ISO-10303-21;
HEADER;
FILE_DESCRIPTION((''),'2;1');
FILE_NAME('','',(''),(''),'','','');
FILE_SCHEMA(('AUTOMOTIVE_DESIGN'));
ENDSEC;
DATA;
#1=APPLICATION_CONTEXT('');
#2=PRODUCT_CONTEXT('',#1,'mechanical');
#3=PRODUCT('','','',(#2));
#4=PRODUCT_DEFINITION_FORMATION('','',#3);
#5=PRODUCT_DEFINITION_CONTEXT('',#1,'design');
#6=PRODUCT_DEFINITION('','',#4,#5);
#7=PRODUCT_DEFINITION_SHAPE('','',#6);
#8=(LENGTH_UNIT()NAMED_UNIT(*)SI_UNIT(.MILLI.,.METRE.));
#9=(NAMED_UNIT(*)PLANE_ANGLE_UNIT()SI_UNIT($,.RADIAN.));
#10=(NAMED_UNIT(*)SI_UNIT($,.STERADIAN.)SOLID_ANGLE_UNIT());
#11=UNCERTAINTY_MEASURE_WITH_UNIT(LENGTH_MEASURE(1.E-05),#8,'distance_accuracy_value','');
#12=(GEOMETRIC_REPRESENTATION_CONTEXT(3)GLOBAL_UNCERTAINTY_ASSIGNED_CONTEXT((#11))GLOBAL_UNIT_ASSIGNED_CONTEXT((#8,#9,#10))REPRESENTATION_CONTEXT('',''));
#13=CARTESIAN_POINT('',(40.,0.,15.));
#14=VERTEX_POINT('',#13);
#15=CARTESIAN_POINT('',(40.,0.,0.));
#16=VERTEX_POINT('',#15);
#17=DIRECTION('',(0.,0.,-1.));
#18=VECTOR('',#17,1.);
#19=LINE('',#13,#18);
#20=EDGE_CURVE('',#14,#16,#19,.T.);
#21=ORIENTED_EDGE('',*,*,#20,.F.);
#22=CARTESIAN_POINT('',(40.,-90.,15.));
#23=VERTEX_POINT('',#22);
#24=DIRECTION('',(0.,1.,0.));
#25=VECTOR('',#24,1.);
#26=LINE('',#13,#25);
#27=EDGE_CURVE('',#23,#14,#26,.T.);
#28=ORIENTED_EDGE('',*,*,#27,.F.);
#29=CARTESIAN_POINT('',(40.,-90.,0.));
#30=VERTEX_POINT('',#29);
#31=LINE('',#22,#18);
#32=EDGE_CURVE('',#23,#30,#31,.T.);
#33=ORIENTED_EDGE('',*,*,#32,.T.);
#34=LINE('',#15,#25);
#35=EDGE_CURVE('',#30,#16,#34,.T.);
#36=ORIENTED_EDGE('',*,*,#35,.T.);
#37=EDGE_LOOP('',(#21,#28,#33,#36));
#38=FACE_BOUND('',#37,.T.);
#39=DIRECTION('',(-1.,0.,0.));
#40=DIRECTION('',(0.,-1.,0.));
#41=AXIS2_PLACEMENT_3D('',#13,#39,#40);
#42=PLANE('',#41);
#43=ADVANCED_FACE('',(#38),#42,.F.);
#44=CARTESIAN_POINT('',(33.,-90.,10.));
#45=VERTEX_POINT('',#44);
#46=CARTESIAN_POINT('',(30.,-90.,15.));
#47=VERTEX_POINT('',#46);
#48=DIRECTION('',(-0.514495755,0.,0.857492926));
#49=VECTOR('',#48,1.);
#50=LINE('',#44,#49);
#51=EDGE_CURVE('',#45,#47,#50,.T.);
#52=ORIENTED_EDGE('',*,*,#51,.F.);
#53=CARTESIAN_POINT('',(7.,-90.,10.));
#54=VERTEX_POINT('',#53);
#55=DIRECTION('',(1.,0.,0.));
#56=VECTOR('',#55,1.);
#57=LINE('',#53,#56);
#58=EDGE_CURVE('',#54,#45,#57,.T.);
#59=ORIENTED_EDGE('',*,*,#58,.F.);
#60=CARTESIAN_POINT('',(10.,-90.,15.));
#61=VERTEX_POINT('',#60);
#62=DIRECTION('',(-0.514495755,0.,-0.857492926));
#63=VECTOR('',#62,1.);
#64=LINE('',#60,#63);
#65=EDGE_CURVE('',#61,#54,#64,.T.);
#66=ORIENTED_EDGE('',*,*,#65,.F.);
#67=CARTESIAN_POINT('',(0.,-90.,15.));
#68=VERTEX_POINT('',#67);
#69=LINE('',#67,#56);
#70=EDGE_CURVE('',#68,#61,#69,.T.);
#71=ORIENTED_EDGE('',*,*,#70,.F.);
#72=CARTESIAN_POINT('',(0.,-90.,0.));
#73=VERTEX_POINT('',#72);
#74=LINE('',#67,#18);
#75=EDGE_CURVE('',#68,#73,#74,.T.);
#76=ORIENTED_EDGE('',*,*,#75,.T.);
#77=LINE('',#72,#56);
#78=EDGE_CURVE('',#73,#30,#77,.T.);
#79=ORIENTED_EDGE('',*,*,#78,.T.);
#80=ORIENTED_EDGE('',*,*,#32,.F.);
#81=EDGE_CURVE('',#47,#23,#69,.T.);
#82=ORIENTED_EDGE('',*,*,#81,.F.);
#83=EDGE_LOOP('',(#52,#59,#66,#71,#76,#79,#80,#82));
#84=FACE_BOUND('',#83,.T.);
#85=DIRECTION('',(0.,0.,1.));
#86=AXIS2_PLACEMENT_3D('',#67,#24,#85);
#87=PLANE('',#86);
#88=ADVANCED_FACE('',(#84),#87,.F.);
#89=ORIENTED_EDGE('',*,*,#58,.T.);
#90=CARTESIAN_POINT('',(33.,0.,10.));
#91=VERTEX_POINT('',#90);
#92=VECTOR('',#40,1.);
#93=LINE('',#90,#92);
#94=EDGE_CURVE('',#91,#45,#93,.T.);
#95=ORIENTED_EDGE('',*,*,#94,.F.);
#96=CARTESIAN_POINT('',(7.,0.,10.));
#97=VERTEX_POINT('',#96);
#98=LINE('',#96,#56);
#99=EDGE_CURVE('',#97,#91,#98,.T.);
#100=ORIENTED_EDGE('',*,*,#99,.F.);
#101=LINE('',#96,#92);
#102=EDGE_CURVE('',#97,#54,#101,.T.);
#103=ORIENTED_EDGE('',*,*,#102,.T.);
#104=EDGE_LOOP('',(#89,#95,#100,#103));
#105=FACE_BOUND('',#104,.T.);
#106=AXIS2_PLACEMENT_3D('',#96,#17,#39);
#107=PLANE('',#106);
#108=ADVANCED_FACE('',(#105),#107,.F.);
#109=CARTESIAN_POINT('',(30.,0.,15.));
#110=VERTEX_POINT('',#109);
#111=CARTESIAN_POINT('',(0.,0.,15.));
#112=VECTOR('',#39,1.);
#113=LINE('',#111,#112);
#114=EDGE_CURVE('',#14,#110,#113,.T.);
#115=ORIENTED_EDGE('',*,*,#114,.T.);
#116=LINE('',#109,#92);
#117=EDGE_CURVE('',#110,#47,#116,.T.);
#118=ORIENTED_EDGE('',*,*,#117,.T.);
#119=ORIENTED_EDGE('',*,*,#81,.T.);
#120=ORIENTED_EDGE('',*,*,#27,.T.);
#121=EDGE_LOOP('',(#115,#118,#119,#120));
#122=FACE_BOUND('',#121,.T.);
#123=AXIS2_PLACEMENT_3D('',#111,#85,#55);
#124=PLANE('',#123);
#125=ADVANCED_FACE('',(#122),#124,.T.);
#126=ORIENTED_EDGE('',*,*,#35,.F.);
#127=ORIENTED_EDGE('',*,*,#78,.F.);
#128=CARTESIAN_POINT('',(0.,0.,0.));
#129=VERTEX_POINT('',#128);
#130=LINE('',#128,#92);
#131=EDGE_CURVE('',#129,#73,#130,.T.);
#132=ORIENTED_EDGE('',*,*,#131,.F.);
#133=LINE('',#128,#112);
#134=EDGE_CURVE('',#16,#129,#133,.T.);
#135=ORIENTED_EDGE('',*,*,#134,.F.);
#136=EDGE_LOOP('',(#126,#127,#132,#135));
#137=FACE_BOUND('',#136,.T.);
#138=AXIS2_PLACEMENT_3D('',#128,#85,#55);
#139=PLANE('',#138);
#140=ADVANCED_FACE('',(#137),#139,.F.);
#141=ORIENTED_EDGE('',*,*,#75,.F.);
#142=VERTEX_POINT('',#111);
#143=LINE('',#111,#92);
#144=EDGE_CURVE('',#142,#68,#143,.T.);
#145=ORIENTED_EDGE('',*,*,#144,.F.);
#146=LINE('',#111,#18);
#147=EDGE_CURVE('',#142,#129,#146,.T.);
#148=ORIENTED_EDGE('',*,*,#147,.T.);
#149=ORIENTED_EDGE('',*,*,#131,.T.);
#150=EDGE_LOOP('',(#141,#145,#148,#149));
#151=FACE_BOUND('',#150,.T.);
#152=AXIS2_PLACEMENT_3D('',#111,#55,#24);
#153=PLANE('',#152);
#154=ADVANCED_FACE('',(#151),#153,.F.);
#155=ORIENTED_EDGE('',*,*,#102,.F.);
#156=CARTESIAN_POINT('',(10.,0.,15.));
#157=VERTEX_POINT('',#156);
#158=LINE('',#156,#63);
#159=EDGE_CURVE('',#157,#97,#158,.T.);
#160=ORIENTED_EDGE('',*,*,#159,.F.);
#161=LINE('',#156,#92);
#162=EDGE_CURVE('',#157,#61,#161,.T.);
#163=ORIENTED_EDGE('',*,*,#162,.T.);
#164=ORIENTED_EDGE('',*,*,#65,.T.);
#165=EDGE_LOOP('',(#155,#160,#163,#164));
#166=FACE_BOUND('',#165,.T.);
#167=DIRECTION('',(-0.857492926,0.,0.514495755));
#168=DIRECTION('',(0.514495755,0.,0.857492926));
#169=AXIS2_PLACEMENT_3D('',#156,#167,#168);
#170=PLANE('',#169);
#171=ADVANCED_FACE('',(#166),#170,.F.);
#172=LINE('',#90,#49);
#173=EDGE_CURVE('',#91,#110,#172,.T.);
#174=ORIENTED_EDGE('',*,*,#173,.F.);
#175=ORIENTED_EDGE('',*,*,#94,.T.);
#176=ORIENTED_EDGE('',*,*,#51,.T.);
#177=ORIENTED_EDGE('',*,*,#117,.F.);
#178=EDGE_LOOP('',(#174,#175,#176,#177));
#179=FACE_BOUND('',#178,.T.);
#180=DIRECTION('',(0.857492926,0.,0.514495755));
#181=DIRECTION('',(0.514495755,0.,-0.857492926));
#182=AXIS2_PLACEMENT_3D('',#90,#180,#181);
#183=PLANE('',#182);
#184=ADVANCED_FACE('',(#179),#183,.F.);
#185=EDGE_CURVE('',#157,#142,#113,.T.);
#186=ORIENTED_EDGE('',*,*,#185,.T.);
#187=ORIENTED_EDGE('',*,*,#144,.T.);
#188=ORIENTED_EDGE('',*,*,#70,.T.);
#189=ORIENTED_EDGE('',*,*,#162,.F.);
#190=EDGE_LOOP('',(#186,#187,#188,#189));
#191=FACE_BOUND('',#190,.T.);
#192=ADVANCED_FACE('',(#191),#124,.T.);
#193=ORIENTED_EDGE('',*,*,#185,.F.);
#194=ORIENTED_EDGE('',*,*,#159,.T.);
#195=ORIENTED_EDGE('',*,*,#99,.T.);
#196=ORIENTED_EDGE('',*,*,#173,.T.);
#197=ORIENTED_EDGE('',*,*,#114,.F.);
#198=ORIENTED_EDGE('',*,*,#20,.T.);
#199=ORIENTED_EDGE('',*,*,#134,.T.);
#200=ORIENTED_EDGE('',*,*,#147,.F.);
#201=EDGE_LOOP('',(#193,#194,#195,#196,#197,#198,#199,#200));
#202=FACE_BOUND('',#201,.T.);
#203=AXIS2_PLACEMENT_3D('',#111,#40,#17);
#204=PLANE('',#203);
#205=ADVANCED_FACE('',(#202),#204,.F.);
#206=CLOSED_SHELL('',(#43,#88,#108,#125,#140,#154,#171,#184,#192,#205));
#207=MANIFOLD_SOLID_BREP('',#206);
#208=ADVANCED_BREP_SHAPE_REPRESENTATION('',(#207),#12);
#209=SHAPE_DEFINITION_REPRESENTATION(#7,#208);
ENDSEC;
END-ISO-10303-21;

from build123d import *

# Parameters (mm, degrees)
SKETCH_1_W          = 40
SKETCH_1_H          = 90
EXTRUDE_1_DEPTH     = 15
CUT_EXTRUDE_1_DEPTH = 100.624294226


with BuildPart() as part:
    # 草图1 → 凸台-拉伸1 (new body)
    with BuildSketch(Plane.XY):
        with Locations((20, -45)):
            Rectangle(SKETCH_1_W, SKETCH_1_H)
    extrude(amount=EXTRUDE_1_DEPTH)

    # 草图2 → 切除-拉伸1 (cut, through all)
    with BuildSketch(Plane.XZ.offset(90)):
        Polygon((10, 15), (7, 10), (33, 10), (30, 15), align=None)
    extrude(amount=-CUT_EXTRUDE_1_DEPTH, mode=Mode.SUBTRACT)


solid = part.part
